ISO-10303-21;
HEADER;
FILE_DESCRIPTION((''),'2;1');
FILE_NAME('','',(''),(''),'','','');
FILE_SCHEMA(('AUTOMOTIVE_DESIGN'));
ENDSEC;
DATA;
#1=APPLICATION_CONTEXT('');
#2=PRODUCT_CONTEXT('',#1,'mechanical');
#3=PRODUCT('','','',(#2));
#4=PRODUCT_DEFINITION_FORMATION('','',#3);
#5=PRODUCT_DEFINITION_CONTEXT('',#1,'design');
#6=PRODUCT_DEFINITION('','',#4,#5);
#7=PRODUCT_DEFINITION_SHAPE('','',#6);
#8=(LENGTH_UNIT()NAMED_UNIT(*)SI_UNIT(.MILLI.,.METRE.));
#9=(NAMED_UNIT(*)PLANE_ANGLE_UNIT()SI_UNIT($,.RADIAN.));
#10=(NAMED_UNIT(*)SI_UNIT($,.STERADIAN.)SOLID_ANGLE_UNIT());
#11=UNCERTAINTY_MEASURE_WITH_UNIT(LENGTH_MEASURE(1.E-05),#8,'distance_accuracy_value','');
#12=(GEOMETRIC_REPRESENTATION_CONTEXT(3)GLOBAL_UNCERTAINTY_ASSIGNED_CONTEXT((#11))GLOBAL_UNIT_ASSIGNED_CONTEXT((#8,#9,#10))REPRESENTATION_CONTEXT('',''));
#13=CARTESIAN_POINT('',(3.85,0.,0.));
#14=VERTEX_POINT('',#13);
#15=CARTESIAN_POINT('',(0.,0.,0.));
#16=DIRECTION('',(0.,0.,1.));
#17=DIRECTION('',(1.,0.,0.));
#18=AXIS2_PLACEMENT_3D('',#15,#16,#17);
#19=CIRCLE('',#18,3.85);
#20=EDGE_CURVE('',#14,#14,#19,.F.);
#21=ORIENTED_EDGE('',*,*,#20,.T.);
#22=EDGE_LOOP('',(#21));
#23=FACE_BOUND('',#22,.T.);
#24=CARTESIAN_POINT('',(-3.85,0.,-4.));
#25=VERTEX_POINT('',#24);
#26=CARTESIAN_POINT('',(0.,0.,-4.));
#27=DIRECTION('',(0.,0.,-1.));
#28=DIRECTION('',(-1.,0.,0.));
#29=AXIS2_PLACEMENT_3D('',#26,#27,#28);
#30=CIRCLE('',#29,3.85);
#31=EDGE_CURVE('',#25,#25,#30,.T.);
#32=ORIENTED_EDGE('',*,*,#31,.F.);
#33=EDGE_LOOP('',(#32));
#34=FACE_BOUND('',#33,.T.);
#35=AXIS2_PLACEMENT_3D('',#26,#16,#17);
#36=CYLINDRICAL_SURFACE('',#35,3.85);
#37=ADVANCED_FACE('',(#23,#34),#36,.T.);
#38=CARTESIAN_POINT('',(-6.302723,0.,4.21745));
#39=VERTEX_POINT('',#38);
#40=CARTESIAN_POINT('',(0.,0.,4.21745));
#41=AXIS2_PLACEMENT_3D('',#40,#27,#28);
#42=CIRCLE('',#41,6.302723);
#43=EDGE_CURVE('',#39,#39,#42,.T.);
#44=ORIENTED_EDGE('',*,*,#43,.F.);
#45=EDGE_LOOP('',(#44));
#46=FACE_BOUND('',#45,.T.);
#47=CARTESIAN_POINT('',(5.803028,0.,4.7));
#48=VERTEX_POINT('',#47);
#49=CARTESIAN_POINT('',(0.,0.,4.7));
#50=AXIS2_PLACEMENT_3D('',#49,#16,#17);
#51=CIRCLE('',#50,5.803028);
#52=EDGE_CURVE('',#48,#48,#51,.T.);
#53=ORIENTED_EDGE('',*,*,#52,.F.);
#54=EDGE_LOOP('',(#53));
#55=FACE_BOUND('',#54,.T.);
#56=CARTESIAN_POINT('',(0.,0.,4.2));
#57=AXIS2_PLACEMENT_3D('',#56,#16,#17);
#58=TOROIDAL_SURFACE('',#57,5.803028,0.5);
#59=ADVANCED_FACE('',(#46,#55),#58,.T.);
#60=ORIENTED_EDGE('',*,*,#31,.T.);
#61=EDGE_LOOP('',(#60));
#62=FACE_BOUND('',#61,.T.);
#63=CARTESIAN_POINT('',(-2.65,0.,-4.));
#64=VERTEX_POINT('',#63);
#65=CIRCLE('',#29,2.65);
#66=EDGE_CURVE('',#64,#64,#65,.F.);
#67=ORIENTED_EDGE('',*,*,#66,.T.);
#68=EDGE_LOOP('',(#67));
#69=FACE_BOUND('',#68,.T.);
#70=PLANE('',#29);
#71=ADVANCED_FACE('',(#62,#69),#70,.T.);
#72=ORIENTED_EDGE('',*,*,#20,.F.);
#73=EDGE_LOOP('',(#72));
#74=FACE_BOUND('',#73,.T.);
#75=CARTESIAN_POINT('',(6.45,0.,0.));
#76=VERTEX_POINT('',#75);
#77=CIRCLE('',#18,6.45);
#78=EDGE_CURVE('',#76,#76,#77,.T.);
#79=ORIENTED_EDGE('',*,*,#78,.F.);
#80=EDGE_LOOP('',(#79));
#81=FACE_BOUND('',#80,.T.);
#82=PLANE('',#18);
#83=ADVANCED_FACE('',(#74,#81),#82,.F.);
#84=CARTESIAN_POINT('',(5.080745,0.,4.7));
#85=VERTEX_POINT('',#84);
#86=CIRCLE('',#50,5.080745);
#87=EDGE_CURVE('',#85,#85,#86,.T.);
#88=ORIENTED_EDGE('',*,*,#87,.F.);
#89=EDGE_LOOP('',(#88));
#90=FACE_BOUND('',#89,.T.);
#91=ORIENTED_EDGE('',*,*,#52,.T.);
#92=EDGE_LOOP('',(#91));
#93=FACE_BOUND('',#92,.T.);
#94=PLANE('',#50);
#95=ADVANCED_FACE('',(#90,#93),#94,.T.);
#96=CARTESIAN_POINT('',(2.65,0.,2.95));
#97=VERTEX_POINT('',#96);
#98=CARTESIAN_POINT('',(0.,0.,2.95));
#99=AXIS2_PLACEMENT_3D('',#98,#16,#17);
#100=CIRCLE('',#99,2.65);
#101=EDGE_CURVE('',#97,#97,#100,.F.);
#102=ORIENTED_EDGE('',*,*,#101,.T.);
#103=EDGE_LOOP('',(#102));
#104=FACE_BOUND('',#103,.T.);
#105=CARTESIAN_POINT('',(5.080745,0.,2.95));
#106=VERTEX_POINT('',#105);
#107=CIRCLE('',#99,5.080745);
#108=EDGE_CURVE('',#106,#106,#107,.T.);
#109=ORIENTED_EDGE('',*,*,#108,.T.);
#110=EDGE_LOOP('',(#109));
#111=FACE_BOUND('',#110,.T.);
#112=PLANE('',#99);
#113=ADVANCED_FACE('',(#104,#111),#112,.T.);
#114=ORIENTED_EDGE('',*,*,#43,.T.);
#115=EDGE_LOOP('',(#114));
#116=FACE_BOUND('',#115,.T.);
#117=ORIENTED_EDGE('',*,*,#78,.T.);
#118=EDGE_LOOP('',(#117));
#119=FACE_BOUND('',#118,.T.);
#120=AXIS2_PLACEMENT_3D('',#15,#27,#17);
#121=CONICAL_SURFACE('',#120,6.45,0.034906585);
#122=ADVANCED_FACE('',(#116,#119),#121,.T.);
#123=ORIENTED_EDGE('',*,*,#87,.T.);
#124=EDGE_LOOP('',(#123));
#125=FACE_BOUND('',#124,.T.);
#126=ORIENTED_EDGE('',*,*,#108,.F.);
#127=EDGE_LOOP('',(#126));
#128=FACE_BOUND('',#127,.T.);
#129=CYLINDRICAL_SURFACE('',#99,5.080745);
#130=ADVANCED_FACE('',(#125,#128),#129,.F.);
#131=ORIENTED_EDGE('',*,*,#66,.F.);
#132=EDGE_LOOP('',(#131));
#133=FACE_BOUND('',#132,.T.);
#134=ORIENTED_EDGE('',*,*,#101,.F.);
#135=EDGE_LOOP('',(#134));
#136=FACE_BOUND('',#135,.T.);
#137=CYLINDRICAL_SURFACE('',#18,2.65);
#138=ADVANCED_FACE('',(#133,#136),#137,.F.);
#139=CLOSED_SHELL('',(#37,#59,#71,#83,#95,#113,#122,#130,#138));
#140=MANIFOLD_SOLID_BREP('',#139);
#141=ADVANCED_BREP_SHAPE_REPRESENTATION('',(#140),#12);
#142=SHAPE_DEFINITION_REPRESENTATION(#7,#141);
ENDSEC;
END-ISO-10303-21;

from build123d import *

# Parameters (mm, degrees)
ESQUISSE1_R             = 6.45
ESQUISSE1_R_2           = 5.15
BOSS_EXTRU_1_DEPTH      = 4.7
BOSS_EXTRU_1_DRAFT      = 2
ESQUISSE2_R             = 6.285872383
ESQUISSE2_R_2           = 2.65
BOSS_EXTRU_2_DEPTH      = 4.7
CONG_1_R                = 0.5
ESQUISSE4_R             = 5.080745256
ENL_V_MAT_EXTRU_1_DEPTH = 1.75
ESQUISSE3_R             = 3.85
ESQUISSE3_R_2           = 2.65
BOSS_EXTRU_8_DEPTH      = 4


with BuildPart() as part:
    # Esquisse1 → Boss.-Extru.1 (with draft: the straight prism first)
    with BuildSketch(Plane.XY):
        Circle(ESQUISSE1_R)
        Circle(ESQUISSE1_R_2, mode=Mode.SUBTRACT)
    extrude(amount=BOSS_EXTRU_1_DEPTH)
    # Boss.-Extru.1: the draft: its side faces are tilted about the plane it starts from
    boss_extru_1_sides = [part.faces().sort_by_distance(p)[0] for p in [
        (-6.45, 0, 2.35),
        (-5.15, 0, 2.35),
    ]]
    draft(boss_extru_1_sides, Plane.XY, BOSS_EXTRU_1_DRAFT)

    # Esquisse2 → Boss.-Extru.2 (add)
    with BuildSketch(Plane.XY.offset(4.7)):
        Circle(ESQUISSE2_R)
        Circle(ESQUISSE2_R_2, mode=Mode.SUBTRACT)
    extrude(amount=-BOSS_EXTRU_2_DEPTH)

    # Congé1
    cong_1_edges = [part.edges().sort_by_distance(p)[0] for p in [
        (-6.285872383, 0, 4.7),
    ]]
    fillet(cong_1_edges, radius=CONG_1_R)

    # Esquisse4 → Enlèv. mat.-Extru.1 (cut)
    with BuildSketch(Plane.XY.offset(4.7)):
        Circle(ESQUISSE4_R)
    extrude(amount=-ENL_V_MAT_EXTRU_1_DEPTH, mode=Mode.SUBTRACT)

    # Esquisse3 → Boss.-Extru.8 (add)
    with BuildSketch(Plane(origin=(0, 0, 0), x_dir=(-1, 0, 0), z_dir=(0, 0, -1))):
        with Locations(Location((0, 0, 0), (0, 0, 180))):
            Circle(ESQUISSE3_R)
        with Locations(Location((0, 0, 0), (0, 0, 180))):
            Circle(ESQUISSE3_R_2, mode=Mode.SUBTRACT)
    extrude(amount=BOSS_EXTRU_8_DEPTH)


solid = part.part
